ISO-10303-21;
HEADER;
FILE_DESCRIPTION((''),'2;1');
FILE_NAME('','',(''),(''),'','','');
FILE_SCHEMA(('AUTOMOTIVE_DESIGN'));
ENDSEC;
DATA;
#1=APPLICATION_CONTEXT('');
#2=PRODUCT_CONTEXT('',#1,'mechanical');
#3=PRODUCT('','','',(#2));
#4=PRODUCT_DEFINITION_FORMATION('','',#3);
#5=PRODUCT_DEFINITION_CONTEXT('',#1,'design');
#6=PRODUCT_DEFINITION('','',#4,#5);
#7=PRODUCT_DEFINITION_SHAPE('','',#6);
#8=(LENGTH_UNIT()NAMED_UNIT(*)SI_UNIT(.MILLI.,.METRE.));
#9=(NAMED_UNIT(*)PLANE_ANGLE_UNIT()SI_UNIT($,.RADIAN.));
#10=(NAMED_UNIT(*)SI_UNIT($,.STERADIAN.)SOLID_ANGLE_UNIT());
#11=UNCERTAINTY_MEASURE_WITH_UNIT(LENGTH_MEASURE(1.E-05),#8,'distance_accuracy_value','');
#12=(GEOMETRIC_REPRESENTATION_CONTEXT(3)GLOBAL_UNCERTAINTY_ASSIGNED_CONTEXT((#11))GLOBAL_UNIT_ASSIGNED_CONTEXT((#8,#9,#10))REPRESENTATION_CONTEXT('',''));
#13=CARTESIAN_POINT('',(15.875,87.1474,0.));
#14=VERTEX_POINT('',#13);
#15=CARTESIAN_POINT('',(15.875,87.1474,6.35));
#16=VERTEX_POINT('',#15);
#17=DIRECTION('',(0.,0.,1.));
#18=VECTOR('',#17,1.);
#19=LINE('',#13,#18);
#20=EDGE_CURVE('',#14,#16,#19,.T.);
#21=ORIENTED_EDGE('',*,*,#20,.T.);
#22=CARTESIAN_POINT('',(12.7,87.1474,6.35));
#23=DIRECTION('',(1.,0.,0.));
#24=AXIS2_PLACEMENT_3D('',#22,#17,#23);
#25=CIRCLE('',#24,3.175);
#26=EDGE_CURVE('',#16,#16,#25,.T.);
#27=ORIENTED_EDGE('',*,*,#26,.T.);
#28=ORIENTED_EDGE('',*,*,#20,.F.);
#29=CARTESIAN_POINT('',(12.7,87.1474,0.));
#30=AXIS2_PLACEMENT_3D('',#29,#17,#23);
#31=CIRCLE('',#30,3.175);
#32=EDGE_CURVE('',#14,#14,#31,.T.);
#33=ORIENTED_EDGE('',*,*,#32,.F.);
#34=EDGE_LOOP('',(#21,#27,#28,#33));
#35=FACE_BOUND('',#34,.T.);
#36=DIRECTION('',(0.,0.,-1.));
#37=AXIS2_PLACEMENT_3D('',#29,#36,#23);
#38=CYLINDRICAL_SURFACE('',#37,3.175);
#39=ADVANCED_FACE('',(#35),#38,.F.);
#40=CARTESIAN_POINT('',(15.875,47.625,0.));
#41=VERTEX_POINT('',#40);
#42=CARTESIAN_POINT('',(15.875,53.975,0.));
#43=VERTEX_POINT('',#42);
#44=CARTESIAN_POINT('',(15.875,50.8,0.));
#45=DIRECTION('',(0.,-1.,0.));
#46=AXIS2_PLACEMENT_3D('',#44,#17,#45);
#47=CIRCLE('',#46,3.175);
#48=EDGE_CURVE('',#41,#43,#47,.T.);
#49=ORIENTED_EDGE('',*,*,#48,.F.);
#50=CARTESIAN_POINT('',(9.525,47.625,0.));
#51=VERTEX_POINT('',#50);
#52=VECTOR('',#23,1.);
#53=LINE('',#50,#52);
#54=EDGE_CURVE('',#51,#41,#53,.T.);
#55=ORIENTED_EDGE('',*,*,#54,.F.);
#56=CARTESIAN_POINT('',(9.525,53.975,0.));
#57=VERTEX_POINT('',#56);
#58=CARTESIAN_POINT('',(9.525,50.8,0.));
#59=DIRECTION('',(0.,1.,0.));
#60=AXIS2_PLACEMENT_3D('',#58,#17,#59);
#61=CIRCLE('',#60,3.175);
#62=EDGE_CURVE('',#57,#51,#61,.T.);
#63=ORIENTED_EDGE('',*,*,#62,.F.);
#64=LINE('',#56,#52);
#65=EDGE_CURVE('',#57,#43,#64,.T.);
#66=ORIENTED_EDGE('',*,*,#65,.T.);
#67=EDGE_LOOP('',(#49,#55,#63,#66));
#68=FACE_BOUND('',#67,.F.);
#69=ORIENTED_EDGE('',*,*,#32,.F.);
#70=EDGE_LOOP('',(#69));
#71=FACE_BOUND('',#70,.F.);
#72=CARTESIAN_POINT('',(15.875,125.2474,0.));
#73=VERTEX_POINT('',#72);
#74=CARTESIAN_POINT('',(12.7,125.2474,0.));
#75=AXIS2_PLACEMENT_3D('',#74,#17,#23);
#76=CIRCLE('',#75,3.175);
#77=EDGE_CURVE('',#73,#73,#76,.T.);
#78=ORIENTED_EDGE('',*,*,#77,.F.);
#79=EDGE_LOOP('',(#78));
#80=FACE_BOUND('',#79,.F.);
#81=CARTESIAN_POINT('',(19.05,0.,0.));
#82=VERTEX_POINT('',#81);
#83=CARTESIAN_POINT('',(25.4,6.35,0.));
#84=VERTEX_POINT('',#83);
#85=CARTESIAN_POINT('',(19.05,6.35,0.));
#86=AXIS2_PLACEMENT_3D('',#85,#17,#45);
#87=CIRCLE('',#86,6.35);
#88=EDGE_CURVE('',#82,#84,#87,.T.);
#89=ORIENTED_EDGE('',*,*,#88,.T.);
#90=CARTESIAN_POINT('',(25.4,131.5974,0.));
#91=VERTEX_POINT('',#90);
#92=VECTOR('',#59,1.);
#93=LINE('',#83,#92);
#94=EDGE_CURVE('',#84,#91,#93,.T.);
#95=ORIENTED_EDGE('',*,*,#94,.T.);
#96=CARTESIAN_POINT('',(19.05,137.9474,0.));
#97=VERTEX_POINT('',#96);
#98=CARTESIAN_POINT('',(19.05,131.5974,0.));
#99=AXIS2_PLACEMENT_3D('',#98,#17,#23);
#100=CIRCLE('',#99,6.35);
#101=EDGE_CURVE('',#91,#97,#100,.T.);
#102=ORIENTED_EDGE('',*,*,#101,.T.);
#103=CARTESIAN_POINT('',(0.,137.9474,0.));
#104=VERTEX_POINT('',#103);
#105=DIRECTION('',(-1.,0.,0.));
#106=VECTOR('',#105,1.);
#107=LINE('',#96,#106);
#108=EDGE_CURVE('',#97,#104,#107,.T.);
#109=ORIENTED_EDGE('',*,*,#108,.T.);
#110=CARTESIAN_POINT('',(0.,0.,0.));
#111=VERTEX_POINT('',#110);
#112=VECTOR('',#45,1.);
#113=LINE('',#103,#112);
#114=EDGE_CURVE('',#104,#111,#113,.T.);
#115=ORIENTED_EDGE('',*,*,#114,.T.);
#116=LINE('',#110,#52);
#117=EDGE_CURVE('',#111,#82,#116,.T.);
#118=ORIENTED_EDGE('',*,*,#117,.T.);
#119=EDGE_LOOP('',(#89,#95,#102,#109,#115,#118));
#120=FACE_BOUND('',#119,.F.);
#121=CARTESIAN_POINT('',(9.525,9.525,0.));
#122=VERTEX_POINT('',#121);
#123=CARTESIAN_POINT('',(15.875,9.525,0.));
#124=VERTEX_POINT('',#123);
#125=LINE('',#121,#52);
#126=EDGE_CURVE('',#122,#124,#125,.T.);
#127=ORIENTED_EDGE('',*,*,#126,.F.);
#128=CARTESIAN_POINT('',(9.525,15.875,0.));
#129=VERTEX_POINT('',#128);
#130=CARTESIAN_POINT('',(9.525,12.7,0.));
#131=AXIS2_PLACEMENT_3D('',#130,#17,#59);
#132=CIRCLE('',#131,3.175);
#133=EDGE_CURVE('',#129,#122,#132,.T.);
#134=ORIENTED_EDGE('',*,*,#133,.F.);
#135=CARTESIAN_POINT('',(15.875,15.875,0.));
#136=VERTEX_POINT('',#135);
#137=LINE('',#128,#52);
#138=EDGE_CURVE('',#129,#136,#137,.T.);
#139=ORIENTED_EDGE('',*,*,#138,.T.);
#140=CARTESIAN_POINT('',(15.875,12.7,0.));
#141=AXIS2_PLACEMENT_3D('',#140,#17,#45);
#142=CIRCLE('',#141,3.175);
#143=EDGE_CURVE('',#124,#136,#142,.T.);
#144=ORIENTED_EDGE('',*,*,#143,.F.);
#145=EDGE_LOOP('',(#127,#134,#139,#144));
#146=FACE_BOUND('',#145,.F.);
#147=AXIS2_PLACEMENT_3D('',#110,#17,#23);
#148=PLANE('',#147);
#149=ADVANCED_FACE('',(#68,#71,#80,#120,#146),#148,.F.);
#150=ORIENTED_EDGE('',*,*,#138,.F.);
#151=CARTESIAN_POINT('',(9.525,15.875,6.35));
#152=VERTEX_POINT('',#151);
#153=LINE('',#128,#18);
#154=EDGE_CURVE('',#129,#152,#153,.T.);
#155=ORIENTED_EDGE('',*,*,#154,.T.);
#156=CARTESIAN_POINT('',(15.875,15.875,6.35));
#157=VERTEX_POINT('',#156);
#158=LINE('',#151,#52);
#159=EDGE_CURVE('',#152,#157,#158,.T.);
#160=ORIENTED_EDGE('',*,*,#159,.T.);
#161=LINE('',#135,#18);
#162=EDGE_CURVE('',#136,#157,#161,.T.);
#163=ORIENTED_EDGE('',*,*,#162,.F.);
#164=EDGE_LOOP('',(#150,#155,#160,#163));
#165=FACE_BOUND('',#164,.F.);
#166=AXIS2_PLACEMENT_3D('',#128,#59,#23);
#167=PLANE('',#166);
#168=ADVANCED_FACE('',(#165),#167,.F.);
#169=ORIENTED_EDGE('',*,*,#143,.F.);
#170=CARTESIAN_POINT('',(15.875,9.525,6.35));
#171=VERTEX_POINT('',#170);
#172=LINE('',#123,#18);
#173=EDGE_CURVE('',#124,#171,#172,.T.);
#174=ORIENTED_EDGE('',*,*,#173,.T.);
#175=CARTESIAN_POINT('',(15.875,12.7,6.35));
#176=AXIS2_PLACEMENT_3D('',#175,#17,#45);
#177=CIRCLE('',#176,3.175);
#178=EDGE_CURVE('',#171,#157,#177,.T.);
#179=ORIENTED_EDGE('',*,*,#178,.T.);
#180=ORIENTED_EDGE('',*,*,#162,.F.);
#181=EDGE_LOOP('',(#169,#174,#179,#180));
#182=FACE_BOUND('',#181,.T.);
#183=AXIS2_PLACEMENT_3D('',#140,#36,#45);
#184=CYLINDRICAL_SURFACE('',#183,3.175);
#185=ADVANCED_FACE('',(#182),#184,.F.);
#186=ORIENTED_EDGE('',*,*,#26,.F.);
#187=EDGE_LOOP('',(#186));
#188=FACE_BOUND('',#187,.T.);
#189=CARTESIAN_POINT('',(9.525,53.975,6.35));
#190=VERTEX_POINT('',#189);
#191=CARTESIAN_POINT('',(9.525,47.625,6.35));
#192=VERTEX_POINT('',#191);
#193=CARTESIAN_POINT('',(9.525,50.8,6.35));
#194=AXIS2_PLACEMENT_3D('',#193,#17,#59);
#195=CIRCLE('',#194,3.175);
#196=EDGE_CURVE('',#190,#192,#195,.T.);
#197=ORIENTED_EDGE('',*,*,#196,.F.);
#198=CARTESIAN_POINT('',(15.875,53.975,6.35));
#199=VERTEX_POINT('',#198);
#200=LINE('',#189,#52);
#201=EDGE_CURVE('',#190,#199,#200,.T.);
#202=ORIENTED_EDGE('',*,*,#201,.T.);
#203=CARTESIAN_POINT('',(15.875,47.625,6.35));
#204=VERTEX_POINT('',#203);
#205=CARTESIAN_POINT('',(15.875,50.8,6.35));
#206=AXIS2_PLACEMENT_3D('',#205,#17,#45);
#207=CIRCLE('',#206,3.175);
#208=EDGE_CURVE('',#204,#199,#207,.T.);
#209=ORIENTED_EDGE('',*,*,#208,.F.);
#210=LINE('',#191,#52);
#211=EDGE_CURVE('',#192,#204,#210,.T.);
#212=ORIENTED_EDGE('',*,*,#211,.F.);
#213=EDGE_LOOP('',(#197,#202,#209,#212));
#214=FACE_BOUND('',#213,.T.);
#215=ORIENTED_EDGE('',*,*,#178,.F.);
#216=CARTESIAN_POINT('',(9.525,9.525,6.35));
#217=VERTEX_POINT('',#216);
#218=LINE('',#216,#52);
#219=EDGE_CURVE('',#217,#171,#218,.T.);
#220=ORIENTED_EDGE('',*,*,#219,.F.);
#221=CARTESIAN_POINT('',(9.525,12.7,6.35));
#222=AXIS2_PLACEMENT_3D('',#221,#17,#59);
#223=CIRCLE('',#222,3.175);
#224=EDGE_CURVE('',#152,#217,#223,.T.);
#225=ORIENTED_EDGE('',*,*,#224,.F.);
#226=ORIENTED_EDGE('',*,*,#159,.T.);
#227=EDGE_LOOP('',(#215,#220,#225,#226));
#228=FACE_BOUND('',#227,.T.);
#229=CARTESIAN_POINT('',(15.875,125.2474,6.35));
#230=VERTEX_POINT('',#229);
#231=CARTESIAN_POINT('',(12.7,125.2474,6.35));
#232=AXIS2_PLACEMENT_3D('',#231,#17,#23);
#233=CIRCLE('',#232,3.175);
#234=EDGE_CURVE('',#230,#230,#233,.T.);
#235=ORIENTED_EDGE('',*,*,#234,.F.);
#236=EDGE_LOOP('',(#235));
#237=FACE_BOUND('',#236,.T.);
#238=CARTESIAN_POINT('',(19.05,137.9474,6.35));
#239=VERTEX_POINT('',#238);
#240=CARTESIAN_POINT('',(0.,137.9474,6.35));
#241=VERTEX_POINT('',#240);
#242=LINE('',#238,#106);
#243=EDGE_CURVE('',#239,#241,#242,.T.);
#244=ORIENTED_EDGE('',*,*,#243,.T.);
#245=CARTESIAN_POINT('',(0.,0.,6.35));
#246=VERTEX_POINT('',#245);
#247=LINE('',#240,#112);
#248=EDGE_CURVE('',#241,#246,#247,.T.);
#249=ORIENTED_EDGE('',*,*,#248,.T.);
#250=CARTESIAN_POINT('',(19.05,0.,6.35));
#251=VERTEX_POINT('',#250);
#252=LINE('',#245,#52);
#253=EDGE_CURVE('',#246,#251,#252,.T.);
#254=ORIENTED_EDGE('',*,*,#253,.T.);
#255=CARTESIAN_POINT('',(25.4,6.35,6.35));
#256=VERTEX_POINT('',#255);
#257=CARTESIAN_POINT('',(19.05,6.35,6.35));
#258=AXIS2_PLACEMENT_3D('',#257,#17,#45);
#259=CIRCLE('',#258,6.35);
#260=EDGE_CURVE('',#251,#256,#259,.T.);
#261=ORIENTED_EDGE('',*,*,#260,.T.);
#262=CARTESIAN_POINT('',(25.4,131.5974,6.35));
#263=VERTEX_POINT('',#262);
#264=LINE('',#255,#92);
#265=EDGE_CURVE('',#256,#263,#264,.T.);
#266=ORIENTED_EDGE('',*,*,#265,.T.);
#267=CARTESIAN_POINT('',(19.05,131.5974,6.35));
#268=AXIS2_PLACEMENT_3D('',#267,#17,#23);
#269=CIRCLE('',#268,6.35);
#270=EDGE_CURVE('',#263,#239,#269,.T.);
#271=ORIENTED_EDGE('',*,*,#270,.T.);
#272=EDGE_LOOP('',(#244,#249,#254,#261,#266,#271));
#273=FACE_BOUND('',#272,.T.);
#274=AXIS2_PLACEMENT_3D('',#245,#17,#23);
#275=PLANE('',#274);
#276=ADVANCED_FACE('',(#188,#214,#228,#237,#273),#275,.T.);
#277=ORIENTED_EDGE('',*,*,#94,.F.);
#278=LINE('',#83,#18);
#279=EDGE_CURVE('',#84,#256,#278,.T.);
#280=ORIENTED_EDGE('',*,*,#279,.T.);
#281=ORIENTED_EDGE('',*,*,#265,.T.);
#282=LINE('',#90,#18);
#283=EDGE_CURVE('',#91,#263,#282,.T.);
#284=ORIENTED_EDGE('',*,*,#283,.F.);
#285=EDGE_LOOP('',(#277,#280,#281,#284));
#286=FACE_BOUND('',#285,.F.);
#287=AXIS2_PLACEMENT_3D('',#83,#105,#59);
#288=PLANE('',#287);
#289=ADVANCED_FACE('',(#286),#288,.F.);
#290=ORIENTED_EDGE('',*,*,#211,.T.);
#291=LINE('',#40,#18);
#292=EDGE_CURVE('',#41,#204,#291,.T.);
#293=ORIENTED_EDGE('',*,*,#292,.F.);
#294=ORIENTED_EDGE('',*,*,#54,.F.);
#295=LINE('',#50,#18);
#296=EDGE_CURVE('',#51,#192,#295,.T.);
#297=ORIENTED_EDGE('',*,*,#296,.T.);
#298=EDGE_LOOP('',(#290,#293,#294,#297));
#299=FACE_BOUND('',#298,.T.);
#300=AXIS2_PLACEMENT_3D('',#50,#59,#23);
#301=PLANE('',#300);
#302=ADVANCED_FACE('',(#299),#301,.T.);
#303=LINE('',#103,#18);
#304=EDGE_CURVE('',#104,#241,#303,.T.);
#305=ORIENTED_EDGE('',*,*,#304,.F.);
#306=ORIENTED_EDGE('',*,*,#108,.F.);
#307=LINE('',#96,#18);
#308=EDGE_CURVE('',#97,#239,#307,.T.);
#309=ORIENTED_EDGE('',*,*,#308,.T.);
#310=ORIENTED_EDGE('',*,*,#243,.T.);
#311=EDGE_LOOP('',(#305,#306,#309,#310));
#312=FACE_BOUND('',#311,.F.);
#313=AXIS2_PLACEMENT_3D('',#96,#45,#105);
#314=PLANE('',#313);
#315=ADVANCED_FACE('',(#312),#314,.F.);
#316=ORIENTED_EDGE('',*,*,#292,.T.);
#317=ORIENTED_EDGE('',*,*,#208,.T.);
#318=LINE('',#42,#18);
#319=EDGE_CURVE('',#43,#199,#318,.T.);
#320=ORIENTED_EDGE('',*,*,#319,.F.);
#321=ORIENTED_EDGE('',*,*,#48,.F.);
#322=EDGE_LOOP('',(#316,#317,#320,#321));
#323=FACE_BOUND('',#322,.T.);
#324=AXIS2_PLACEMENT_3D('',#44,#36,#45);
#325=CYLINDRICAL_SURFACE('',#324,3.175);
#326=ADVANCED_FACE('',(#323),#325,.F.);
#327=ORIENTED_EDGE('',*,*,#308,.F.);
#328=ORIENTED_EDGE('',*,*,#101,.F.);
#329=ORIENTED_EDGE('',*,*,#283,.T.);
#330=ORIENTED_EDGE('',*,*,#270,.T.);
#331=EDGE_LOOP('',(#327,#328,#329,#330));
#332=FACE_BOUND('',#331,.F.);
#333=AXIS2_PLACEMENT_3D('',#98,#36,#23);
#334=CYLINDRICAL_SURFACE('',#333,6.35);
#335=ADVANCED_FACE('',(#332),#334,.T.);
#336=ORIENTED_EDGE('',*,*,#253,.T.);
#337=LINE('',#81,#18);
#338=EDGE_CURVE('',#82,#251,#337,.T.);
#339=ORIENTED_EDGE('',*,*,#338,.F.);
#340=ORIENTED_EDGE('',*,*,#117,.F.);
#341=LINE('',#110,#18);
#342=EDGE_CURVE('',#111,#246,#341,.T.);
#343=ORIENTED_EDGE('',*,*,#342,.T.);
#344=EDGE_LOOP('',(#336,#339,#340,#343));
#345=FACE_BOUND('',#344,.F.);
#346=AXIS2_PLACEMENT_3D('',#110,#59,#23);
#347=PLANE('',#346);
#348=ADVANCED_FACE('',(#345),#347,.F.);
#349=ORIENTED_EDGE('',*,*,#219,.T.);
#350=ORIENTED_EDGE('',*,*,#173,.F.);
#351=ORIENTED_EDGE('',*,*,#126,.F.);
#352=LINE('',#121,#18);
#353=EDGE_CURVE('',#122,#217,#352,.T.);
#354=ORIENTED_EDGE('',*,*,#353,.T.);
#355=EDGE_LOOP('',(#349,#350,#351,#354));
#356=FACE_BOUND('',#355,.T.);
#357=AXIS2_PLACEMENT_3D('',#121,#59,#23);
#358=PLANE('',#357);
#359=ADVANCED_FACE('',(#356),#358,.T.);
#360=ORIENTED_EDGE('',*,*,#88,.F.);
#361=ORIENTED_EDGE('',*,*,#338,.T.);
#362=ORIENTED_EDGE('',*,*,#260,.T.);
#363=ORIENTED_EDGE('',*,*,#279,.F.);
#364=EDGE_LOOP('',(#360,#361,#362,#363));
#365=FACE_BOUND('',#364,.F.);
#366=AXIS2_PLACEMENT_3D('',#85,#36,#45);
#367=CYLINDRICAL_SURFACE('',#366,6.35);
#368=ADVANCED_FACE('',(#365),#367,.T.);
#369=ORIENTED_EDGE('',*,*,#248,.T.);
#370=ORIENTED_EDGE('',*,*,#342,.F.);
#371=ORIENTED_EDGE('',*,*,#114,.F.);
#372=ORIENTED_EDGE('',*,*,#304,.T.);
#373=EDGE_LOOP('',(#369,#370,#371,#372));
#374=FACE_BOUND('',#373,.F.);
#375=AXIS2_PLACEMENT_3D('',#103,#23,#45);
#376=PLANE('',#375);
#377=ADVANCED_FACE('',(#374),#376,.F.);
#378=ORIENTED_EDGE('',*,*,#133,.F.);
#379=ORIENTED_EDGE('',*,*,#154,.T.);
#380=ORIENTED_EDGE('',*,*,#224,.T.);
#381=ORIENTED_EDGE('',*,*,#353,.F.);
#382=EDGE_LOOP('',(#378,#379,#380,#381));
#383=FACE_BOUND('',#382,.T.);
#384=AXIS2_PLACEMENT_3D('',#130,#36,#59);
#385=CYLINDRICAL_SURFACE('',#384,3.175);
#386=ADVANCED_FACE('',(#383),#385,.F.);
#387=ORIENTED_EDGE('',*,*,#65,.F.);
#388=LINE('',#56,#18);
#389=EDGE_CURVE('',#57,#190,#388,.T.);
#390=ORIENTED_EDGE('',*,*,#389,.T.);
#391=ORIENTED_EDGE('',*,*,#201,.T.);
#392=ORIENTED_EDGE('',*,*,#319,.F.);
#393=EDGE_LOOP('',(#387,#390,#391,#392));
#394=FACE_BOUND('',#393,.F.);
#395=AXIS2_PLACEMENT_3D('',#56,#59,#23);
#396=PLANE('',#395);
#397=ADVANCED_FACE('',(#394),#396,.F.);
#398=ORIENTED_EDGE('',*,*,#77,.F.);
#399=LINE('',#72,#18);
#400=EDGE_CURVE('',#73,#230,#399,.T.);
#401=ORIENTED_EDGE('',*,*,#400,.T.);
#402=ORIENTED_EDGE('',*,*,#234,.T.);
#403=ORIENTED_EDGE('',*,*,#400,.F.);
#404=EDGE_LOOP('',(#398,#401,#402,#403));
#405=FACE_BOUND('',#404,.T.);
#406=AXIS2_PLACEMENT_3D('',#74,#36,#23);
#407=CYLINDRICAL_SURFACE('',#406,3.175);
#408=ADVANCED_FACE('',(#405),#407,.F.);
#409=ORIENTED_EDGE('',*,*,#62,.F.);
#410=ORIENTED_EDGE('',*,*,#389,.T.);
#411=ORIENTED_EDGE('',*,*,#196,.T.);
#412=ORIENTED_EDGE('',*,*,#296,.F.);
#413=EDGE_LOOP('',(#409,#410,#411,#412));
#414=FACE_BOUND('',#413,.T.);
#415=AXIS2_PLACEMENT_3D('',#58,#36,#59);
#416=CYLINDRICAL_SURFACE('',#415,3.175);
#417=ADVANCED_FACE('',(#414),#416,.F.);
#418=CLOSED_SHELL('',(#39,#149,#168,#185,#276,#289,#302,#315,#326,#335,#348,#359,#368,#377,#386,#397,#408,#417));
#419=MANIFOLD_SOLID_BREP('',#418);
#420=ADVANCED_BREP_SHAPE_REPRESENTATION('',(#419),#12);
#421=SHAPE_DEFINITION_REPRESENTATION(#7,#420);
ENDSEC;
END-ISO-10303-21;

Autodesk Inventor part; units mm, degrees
ref_plane "YZ Plane" through (0, 0, 0) normal (1, 0, 0) x (0, 1, 0)
ref_plane "XZ Plane" through (0, 0, 0) normal (0, 1, 0) x (-1, 0, 0)
ref_plane "XY Plane" through (0, 0, 0) normal (0, 0, 1) x (1, 0, 0)
sketch "Sketch1" plane through (0, 0, 0) normal (0, 0, 1) x (1, 0, 0)
  line L0 (19.05, 137.9474) -> (0, 137.9474)
  line L1 (0, 137.9474) -> (0, 0)
  line L2 (0, 0) -> (19.05, 0)
  arc A0 (19.05, 0) -> (25.4, 6.35) centre (19.05, 6.35) ccw
  line L3 (25.4, 6.35) -> (25.4, 131.5974)
  arc A1 (25.4, 131.5974) -> (19.05, 137.9474) centre (19.05, 131.5974) ccw
  circle A2 centre (12.7, 125.2474) radius 3.175
  circle A3 centre (12.7, 87.1474) radius 3.175
  arc A4 (9.525, 53.975) -> (9.525, 47.625) centre (9.525, 50.8) ccw
  arc A5 (15.875, 47.625) -> (15.875, 53.975) centre (15.875, 50.8) ccw
  line L4 (9.525, 53.975) -> (15.875, 53.975)
  line L5 (9.525, 47.625) -> (15.875, 47.625)
  arc A6 (9.525, 15.875) -> (9.525, 9.525) centre (9.525, 12.7) ccw
  arc A7 (15.875, 9.525) -> (15.875, 15.875) centre (15.875, 12.7) ccw
  line L6 (9.525, 15.875) -> (15.875, 15.875)
  line L7 (9.525, 9.525) -> (15.875, 9.525)
  point P0 (0, 0)
extrude "Extrusion1" add sketch "Sketch1" along normal blind 6.35
properties part number "vrRig_v8_projMount02"
